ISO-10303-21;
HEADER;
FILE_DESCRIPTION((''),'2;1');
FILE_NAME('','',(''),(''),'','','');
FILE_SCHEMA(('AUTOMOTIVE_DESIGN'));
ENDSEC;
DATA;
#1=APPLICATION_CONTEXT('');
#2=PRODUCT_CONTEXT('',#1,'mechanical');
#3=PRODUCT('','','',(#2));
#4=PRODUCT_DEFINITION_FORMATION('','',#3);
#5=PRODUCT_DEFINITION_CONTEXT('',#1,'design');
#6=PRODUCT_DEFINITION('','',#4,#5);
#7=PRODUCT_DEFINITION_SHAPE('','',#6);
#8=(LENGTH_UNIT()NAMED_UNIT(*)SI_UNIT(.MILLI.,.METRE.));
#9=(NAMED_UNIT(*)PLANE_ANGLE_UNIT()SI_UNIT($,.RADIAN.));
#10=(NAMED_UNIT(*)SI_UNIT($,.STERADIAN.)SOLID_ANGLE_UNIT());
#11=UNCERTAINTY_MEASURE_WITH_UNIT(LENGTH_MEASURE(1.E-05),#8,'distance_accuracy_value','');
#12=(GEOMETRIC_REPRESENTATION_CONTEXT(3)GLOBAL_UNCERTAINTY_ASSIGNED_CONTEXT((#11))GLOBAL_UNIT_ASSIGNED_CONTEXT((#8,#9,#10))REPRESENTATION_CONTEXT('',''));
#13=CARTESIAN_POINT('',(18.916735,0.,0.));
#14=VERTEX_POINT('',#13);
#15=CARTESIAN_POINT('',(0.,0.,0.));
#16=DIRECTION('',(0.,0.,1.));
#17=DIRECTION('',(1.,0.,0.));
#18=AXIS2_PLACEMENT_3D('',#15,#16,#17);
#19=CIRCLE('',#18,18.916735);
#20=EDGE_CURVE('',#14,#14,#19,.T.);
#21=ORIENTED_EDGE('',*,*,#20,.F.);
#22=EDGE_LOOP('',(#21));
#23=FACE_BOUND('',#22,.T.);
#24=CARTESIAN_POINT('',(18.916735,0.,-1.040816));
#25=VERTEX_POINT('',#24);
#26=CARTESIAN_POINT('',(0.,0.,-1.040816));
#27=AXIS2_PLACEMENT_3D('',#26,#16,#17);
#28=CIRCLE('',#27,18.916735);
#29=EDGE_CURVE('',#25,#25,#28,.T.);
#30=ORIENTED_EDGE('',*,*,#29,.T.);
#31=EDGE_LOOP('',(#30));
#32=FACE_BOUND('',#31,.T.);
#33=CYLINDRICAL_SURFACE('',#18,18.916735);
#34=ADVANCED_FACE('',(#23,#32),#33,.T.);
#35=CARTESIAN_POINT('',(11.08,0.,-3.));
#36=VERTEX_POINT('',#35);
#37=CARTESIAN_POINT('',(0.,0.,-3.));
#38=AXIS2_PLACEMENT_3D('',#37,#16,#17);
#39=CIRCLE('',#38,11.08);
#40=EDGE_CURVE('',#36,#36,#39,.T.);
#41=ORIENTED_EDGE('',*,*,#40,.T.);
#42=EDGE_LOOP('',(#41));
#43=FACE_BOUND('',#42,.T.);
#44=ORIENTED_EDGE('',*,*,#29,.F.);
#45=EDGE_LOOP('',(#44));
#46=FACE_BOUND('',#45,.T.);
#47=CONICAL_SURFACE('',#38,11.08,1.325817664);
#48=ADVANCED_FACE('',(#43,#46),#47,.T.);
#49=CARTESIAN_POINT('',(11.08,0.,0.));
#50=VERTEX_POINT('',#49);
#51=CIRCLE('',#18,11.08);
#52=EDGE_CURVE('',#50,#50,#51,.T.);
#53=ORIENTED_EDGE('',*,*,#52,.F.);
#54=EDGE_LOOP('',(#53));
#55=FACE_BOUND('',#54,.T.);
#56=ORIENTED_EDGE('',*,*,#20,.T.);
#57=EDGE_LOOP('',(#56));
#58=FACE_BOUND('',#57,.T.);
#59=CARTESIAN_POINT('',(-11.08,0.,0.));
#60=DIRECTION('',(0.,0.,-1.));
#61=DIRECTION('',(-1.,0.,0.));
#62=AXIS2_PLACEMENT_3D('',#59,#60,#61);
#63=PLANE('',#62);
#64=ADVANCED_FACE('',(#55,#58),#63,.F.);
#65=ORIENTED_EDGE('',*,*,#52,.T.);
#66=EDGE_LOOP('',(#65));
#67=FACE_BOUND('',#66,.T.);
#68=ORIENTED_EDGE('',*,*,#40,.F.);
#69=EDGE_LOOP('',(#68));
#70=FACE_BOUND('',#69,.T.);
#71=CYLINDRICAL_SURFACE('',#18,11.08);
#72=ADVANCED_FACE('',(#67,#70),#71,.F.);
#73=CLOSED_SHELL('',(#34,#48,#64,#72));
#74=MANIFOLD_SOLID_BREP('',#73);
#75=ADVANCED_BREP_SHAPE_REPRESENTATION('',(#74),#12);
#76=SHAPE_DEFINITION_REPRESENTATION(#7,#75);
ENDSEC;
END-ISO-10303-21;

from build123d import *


with BuildPart() as part:
    # Sketch1 → Revolve1 (revolve)
    with BuildSketch(Plane(origin=(0, 0, 0), x_dir=(1, 0, 0), z_dir=(0, 1, 0))):
        Polygon((-18.916734694, 0), (-18.916734694, 1.040816327), (-11.08, 3), (-11.08, 0), align=None)
    revolve(axis=Axis((0, 0, 0), (0, 0, -1)))


solid = part.part
